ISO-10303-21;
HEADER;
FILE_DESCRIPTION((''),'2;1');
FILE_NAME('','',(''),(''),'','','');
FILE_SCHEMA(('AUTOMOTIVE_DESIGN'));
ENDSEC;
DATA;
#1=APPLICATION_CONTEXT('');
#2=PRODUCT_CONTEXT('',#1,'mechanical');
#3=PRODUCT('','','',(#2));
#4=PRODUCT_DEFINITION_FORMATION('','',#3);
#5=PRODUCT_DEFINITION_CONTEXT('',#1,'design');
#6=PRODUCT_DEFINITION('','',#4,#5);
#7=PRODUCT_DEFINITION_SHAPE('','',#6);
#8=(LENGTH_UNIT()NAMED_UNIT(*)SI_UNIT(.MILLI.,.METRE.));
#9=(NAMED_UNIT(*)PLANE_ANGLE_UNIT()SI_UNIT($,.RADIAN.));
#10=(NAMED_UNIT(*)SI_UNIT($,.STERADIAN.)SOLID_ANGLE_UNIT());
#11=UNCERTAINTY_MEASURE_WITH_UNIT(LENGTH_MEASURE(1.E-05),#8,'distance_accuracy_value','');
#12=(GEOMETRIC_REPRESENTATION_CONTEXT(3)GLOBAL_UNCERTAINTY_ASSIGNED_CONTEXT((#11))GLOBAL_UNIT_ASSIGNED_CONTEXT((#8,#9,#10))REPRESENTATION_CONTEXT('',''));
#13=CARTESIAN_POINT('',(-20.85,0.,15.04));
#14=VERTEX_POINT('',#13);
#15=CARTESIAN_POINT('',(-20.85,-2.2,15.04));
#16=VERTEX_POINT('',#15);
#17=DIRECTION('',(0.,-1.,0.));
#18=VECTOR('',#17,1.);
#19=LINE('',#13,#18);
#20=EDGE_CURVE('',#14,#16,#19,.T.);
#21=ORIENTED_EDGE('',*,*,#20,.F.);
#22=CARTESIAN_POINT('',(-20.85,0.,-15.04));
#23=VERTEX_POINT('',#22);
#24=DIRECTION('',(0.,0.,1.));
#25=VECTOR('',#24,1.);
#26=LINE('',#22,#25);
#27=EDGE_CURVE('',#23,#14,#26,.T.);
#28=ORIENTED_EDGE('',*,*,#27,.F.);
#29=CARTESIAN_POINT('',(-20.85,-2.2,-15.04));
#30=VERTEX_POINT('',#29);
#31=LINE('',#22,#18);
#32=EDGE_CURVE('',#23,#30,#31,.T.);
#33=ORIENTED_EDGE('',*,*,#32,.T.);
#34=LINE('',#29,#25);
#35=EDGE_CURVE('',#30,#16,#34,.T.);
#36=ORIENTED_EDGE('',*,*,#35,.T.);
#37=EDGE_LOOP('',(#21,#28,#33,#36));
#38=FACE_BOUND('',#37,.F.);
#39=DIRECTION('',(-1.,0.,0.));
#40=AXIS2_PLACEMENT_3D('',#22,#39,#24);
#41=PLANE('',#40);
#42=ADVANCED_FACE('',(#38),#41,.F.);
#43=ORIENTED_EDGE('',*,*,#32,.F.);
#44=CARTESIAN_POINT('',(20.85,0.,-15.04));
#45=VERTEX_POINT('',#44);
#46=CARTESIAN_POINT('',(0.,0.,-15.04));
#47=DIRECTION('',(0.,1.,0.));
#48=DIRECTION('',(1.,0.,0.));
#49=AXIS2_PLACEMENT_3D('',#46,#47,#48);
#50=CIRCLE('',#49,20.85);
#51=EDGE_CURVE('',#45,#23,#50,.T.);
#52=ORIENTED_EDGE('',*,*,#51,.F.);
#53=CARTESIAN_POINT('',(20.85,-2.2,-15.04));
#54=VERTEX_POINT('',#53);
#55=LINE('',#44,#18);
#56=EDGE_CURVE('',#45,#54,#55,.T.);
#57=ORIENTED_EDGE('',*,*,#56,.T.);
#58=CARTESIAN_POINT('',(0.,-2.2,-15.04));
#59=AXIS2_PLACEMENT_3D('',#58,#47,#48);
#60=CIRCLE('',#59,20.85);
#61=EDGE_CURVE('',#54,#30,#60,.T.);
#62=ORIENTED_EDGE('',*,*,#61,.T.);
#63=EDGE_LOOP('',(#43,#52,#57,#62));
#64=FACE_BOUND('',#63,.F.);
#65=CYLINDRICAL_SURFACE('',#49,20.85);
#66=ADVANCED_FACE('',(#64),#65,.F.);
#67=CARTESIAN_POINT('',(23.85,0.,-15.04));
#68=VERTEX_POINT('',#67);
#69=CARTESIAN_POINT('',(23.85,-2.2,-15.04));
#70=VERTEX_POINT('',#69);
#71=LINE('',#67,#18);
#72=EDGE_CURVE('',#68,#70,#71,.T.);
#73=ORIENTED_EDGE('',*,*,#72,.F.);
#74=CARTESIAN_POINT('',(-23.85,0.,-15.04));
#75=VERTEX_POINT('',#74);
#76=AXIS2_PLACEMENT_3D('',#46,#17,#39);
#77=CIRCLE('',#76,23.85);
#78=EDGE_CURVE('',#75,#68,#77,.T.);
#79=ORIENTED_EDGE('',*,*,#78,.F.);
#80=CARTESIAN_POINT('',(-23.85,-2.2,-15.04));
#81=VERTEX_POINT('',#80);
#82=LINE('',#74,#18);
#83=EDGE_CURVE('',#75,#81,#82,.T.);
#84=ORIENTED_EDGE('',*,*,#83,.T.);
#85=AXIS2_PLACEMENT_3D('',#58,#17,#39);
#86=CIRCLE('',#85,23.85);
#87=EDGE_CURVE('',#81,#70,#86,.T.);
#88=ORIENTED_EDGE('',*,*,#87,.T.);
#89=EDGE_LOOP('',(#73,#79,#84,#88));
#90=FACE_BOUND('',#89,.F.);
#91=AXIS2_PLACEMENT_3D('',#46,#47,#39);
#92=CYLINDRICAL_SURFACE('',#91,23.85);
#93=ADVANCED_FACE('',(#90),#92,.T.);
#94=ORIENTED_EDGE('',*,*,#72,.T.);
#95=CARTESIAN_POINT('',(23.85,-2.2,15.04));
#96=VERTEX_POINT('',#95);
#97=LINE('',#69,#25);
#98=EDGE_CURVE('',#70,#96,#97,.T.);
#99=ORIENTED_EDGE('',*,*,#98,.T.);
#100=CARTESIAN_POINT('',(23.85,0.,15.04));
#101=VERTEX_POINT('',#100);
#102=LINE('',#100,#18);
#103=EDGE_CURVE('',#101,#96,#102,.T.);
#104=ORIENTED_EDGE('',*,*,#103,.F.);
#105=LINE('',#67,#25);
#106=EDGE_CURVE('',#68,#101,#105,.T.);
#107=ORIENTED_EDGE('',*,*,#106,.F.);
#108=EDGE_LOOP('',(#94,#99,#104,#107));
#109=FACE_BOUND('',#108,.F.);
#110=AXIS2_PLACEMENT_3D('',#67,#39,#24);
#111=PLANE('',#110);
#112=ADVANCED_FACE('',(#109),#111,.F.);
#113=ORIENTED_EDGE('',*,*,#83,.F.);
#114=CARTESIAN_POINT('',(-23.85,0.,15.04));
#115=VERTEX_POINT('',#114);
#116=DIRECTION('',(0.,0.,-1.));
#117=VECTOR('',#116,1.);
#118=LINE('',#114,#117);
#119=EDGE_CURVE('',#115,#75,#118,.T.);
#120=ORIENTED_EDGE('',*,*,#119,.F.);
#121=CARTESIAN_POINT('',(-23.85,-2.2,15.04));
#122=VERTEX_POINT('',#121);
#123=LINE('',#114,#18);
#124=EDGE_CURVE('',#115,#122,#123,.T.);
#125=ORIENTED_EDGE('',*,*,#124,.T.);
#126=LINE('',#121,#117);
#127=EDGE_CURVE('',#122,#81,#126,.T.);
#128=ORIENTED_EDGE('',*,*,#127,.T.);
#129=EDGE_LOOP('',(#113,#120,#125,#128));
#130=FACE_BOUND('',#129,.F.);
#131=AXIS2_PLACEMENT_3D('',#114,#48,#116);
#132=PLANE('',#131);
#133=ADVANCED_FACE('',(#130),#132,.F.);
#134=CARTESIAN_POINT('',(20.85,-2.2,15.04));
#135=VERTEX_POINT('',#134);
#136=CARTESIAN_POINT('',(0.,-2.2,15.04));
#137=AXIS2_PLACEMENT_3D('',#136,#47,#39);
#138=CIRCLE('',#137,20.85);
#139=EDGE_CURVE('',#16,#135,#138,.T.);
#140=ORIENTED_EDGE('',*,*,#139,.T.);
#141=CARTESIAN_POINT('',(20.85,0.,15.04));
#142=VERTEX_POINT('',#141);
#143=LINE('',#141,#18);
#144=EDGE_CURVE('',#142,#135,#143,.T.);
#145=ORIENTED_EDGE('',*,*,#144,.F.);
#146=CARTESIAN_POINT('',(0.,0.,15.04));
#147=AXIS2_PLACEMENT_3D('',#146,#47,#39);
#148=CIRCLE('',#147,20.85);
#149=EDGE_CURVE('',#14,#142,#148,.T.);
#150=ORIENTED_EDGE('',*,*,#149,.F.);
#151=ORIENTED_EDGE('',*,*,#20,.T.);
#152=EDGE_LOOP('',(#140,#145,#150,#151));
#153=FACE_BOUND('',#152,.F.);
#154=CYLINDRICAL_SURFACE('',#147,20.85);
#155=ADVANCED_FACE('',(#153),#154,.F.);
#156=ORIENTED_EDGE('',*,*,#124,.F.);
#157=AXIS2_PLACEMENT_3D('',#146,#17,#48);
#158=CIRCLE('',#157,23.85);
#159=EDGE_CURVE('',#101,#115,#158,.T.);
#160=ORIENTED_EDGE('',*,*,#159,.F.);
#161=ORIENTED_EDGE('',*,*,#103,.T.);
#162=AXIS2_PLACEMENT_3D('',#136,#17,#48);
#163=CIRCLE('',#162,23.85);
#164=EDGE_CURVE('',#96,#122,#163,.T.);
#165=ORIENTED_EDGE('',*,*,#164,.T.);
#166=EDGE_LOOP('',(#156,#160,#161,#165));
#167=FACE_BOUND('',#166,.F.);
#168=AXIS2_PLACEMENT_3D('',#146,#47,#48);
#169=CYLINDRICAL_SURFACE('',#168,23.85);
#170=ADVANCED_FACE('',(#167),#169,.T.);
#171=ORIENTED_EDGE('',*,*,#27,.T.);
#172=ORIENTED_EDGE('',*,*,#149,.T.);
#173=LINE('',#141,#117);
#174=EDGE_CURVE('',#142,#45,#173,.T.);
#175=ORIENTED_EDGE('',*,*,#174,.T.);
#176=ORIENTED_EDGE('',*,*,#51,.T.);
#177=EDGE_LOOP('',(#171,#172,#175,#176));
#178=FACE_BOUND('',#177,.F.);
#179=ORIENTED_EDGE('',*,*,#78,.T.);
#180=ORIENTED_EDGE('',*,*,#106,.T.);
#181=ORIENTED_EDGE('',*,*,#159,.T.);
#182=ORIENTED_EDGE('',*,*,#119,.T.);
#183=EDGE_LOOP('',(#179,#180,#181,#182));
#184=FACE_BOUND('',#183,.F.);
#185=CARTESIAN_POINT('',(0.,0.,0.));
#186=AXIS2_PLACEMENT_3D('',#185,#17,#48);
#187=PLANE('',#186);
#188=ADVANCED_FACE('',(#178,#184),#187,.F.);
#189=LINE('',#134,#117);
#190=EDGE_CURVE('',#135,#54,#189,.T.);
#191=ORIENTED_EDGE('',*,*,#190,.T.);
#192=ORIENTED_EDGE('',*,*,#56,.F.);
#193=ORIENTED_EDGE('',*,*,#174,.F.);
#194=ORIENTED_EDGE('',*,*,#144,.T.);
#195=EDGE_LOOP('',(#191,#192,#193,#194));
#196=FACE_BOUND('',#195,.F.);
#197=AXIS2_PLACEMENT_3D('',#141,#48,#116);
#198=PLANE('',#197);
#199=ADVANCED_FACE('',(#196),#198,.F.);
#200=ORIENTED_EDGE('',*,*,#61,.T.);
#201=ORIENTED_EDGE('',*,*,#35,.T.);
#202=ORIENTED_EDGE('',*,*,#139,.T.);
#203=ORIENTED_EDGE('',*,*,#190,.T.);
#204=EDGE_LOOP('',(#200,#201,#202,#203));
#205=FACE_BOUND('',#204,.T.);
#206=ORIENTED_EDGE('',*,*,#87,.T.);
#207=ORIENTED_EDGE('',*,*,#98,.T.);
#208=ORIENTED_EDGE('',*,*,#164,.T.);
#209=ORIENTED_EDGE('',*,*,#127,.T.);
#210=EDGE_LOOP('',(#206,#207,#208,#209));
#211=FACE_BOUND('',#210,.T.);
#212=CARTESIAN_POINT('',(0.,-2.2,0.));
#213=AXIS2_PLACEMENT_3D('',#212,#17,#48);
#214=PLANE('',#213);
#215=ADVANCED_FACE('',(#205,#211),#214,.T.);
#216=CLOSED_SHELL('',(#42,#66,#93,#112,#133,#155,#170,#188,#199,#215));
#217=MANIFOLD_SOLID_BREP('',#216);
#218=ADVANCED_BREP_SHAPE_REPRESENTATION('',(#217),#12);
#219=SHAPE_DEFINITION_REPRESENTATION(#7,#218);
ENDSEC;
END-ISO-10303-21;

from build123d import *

# Parameters (mm, degrees)
F2_DEPTH = 2.2


with BuildPart() as f2:
    # F1 (on face) → F2 (new body)
    with BuildSketch(Plane.XZ):
        with BuildLine():
            ThreePointArc((-23.85, -15.04), (0, -38.89), (23.85, -15.04))
            Line((23.85, -15.04), (23.85, 15.04))
            ThreePointArc((23.85, 15.04), (0, 38.89), (-23.85, 15.04))
            Line((-23.85, 15.04), (-23.85, -15.04))
        make_face()
        with BuildLine():
            ThreePointArc((20.85, -15.04), (0, -35.89), (-20.85, -15.04))
            Line((-20.85, -15.04), (-20.85, 15.04))
            ThreePointArc((-20.85, 15.04), (0, 35.89), (20.85, 15.04))
            Line((20.85, 15.04), (20.85, -15.04))
        make_face(mode=Mode.SUBTRACT)
    extrude(amount=F2_DEPTH)


solid = f2.part
